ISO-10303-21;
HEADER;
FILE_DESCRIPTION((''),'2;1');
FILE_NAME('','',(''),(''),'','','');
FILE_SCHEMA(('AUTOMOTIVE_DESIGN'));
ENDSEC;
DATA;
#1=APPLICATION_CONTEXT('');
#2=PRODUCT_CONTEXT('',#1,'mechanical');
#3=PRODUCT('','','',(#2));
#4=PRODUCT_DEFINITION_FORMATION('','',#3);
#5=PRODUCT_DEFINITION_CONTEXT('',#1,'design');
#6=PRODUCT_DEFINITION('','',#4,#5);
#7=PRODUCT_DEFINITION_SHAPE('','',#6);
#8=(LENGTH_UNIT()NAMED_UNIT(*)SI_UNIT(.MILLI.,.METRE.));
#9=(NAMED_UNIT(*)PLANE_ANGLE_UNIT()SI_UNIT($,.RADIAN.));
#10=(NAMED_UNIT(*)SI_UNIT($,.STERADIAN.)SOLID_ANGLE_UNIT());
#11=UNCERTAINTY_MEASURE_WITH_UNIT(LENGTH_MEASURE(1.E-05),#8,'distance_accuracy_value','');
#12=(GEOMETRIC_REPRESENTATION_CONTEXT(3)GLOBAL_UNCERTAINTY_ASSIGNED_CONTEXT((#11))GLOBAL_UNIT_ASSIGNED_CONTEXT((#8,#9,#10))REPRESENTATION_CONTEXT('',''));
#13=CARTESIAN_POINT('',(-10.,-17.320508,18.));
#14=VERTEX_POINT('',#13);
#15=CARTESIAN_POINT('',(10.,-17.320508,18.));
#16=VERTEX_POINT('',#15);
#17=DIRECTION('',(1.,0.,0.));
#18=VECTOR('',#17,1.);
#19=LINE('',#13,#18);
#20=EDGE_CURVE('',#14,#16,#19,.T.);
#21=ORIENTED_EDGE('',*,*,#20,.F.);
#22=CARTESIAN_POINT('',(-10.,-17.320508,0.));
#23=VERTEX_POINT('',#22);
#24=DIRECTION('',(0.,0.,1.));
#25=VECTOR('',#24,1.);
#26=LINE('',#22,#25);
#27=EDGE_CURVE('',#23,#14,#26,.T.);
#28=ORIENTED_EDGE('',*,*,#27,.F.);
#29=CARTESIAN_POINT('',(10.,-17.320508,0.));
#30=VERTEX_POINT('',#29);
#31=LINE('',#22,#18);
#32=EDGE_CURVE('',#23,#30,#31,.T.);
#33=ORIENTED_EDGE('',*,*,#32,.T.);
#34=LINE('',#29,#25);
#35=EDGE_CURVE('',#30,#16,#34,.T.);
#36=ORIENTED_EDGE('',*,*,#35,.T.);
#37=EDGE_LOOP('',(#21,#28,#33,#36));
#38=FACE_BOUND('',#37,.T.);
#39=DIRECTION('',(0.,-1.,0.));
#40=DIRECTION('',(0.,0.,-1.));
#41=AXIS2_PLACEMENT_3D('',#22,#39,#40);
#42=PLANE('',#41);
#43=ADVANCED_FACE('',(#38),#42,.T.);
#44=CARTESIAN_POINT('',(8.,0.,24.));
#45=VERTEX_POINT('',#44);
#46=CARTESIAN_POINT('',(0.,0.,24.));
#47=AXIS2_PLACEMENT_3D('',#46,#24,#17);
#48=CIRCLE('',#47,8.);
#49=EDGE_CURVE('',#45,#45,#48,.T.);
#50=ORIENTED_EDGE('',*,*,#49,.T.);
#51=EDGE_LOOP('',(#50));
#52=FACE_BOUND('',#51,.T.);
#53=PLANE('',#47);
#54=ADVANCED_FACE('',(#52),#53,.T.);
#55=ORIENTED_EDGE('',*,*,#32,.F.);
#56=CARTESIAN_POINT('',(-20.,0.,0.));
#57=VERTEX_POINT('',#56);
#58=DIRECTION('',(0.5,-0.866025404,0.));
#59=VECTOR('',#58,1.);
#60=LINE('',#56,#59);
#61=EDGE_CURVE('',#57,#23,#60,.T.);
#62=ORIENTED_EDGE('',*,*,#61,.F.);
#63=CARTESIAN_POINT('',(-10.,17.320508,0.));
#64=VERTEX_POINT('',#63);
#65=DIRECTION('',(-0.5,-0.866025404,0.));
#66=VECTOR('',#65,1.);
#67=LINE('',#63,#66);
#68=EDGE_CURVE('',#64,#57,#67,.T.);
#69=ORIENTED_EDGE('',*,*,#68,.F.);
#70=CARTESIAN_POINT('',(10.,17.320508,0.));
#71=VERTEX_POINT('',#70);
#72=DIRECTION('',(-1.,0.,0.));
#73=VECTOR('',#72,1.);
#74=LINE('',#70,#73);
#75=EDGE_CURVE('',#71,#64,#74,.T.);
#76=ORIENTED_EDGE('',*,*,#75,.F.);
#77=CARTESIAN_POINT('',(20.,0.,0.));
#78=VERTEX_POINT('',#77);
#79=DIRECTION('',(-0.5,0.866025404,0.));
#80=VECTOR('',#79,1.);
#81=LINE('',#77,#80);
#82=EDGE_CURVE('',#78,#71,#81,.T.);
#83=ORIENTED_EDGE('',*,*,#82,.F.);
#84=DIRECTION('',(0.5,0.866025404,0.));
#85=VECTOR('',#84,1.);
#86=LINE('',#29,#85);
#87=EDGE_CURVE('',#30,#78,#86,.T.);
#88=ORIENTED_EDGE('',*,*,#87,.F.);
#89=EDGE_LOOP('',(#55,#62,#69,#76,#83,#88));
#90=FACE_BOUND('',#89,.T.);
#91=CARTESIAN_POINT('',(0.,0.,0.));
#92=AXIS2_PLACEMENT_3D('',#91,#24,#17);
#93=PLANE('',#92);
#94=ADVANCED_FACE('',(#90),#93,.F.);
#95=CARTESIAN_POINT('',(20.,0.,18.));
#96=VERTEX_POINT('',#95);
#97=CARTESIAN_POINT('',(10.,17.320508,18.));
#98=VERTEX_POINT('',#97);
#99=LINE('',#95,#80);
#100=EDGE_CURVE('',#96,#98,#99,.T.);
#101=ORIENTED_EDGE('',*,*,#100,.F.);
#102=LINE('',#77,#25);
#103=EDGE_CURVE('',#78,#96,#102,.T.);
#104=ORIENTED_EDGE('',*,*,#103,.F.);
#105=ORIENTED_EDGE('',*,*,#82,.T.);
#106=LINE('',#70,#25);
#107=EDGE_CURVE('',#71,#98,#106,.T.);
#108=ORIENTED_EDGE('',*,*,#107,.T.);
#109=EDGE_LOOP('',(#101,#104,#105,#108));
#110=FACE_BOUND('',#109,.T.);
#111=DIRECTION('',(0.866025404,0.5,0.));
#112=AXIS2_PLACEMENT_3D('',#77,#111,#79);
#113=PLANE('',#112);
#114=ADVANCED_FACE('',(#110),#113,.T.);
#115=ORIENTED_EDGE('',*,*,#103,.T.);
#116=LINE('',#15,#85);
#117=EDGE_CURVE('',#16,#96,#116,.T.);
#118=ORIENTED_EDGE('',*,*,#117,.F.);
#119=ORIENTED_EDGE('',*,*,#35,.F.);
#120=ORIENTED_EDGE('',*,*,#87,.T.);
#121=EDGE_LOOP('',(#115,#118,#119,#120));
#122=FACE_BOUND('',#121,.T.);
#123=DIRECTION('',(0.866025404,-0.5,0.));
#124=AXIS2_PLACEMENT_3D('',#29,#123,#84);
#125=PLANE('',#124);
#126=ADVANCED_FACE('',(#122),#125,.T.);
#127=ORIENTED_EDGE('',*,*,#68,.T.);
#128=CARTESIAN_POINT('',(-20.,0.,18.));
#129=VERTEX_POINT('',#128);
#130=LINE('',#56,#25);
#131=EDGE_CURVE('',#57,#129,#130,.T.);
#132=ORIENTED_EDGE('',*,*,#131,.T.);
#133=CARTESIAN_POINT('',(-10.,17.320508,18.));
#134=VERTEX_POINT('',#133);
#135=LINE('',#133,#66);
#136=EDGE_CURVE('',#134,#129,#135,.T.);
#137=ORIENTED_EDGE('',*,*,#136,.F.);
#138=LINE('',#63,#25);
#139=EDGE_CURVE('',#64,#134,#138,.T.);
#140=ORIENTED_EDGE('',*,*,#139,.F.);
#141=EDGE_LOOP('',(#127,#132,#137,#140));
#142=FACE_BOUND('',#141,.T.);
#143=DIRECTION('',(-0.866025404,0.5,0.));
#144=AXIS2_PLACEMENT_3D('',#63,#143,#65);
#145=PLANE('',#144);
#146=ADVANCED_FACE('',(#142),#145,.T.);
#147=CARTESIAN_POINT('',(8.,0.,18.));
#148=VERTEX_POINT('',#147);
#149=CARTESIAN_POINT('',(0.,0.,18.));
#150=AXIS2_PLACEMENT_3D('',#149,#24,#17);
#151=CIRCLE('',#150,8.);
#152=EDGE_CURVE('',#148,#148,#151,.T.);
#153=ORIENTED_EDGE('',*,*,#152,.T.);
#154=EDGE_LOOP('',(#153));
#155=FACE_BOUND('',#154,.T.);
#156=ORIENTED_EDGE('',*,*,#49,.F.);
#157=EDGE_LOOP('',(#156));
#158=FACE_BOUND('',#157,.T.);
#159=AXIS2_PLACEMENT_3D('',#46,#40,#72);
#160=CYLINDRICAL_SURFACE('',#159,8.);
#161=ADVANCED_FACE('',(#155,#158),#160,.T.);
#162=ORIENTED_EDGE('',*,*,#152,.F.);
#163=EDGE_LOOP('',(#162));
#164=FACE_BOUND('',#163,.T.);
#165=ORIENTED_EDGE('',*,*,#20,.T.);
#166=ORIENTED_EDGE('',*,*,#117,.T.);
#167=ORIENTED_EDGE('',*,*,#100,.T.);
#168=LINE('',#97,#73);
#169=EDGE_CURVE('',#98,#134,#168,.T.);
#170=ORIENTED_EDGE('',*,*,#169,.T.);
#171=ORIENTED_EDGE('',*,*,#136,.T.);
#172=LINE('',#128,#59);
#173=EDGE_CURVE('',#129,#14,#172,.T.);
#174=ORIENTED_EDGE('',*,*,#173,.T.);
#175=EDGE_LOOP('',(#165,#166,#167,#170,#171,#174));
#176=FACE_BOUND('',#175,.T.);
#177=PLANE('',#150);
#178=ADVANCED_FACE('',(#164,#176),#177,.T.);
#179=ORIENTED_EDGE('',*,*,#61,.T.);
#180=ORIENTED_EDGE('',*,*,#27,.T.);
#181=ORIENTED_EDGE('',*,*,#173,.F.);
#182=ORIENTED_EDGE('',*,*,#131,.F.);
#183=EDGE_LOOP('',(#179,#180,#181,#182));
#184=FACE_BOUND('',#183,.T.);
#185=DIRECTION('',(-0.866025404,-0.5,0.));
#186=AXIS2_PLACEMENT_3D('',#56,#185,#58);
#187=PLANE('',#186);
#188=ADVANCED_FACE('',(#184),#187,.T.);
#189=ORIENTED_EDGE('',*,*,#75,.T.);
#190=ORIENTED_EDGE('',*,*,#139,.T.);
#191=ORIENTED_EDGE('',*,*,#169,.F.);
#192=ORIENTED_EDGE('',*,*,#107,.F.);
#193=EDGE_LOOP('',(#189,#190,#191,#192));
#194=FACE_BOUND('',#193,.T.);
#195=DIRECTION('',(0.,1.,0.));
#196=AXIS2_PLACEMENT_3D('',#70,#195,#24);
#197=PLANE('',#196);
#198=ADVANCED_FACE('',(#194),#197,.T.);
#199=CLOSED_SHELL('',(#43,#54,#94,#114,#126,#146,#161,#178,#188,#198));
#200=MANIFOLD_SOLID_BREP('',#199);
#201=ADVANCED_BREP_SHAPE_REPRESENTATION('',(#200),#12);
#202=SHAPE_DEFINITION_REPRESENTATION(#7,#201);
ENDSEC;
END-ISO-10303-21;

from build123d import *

# Parameters (mm, degrees)
SKETCH_1_R          = 8
EXTRUDE_1_DEPTH     = 24
SKETCH_2_R          = 42
EXTRUDE_2_DEPTH     = 18
SKETCH_3_OUTSIDE_W  = 110.238
SKETCH_3_OUTSIDE_H  = 110.238
CUT_EXTRUDE_1_DEPTH = 63.064482597


with BuildPart() as part:
    # 草图1 → 凸台-拉伸1 (new body)
    with BuildSketch(Plane.XY):
        Circle(SKETCH_1_R)
    extrude(amount=EXTRUDE_1_DEPTH)

    # 草图2 → 凸台-拉伸2 (add)
    with BuildSketch(Plane.XY):
        Circle(SKETCH_2_R)
    extrude(amount=EXTRUDE_2_DEPTH)

    # 草图3 outside → 切除-拉伸1 (cut, through all)
    with BuildSketch(Plane.XY.offset(18)):
        Rectangle(SKETCH_3_OUTSIDE_W, SKETCH_3_OUTSIDE_H)
        Polygon((20, 0), (10, 17.320508076), (-10, 17.320508076), (-20, 0), (-10, -17.320508076), (10, -17.320508076), align=None, mode=Mode.SUBTRACT)
    extrude(amount=-CUT_EXTRUDE_1_DEPTH, mode=Mode.SUBTRACT)


solid = part.part
